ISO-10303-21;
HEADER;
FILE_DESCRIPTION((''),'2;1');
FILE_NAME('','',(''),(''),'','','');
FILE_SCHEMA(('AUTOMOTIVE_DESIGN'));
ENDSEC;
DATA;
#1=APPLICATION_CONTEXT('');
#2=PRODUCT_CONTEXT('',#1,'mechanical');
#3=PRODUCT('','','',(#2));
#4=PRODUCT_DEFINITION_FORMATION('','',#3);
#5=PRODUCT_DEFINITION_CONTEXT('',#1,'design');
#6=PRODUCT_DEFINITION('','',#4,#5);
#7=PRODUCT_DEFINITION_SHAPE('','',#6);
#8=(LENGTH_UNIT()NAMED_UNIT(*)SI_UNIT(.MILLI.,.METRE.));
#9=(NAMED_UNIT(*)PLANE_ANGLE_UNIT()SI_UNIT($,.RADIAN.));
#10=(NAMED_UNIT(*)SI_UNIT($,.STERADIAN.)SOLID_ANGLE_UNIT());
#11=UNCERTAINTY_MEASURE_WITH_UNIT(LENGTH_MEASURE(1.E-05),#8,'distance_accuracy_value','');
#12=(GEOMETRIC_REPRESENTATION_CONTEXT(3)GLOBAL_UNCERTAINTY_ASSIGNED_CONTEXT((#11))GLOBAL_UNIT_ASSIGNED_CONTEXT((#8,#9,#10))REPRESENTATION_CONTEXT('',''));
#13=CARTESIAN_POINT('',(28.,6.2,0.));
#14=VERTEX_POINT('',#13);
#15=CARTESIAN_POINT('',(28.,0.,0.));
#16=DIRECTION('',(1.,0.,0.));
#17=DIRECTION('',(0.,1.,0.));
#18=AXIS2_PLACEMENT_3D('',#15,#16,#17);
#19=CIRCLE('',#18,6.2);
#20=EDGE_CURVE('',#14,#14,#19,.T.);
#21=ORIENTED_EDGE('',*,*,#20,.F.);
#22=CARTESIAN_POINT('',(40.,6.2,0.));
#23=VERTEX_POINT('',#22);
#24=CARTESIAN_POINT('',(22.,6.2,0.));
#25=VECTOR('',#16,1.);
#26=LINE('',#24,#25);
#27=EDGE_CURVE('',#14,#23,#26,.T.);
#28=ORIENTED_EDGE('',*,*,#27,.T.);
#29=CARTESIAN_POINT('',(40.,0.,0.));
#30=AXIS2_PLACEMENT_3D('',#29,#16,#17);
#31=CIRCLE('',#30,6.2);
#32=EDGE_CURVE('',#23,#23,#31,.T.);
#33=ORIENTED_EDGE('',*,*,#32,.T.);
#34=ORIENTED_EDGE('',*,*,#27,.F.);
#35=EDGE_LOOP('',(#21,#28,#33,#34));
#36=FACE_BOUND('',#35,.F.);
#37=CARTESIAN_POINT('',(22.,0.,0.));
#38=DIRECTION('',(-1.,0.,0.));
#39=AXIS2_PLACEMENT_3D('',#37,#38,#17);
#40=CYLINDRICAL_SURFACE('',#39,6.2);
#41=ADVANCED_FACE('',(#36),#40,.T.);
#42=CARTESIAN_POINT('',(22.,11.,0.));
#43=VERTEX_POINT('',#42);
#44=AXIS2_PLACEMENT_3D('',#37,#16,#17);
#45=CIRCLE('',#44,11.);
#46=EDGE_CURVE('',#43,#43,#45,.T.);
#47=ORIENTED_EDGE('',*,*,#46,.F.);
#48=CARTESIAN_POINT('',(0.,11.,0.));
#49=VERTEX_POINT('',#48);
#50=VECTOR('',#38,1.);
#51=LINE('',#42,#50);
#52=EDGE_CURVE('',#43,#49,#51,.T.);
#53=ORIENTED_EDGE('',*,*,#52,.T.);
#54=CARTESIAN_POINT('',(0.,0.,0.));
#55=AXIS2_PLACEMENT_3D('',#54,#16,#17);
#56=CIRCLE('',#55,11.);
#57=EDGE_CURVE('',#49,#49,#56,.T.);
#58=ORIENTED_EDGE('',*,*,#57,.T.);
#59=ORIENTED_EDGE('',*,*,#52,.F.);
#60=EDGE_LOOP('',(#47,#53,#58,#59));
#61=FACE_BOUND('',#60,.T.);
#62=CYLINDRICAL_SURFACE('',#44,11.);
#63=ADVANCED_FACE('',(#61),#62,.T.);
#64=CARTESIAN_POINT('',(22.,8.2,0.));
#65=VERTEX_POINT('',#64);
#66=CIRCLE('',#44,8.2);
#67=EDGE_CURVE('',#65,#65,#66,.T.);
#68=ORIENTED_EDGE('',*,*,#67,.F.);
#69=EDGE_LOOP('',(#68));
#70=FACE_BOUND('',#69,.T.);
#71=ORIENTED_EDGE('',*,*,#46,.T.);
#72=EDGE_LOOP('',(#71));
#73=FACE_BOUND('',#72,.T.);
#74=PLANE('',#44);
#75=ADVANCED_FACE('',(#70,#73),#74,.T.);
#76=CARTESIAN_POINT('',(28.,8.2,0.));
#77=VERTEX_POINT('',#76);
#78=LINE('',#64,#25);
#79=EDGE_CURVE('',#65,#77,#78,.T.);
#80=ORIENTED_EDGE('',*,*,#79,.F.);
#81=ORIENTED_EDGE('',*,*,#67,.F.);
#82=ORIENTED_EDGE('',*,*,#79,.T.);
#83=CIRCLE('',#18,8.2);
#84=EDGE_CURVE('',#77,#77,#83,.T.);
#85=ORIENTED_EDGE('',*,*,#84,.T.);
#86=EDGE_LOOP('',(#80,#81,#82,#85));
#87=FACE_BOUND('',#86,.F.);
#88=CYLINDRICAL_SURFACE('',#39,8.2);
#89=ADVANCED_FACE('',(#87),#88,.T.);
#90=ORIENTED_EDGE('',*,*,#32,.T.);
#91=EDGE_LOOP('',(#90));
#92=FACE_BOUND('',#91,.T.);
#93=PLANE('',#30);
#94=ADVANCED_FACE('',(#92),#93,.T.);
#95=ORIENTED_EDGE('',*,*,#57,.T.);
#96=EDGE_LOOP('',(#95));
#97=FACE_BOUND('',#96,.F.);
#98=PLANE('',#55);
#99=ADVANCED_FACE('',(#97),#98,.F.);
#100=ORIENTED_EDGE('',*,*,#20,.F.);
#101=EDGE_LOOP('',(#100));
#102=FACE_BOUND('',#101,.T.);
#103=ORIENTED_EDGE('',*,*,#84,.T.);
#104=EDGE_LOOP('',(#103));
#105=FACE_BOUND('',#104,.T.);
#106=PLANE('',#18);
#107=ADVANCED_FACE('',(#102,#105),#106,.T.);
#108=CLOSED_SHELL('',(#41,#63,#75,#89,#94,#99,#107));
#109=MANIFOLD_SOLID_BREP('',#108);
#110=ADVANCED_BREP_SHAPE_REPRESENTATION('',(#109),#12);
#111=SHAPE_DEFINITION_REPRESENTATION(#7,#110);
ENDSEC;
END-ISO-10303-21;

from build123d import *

# Parameters (mm, degrees)
F1_R     = 11
F1_R_2   = 8.2
F1_R_3   = 6.2
F2_DEPTH = 22
F3_DEPTH = 18
F4_DEPTH = 6


with BuildPart() as f2:
    # F1 (on Right) → F2 (new body, through all)
    with BuildSketch(Plane.YZ):
        Circle(F1_R)
        Circle(F1_R_2, mode=Mode.SUBTRACT)
        Circle(F1_R_2)
        Circle(F1_R_3, mode=Mode.SUBTRACT)
        Circle(F1_R_3)
    extrude(amount=-F2_DEPTH)

    # F1 (on Right) → F3 (join, through all)
    with BuildSketch(Plane.YZ):
        Circle(F1_R_3)
    extrude(amount=F3_DEPTH)

    # F1 (on Right) → F4 (join, through all)
    with BuildSketch(Plane.YZ):
        Circle(F1_R_2)
        Circle(F1_R_3, mode=Mode.SUBTRACT)
    extrude(amount=F4_DEPTH)


with BuildPart() as f2_1:
    # F5: moved
    add(f2.part.moved(Location((22, 0, 0))))


solid = f2_1.part
